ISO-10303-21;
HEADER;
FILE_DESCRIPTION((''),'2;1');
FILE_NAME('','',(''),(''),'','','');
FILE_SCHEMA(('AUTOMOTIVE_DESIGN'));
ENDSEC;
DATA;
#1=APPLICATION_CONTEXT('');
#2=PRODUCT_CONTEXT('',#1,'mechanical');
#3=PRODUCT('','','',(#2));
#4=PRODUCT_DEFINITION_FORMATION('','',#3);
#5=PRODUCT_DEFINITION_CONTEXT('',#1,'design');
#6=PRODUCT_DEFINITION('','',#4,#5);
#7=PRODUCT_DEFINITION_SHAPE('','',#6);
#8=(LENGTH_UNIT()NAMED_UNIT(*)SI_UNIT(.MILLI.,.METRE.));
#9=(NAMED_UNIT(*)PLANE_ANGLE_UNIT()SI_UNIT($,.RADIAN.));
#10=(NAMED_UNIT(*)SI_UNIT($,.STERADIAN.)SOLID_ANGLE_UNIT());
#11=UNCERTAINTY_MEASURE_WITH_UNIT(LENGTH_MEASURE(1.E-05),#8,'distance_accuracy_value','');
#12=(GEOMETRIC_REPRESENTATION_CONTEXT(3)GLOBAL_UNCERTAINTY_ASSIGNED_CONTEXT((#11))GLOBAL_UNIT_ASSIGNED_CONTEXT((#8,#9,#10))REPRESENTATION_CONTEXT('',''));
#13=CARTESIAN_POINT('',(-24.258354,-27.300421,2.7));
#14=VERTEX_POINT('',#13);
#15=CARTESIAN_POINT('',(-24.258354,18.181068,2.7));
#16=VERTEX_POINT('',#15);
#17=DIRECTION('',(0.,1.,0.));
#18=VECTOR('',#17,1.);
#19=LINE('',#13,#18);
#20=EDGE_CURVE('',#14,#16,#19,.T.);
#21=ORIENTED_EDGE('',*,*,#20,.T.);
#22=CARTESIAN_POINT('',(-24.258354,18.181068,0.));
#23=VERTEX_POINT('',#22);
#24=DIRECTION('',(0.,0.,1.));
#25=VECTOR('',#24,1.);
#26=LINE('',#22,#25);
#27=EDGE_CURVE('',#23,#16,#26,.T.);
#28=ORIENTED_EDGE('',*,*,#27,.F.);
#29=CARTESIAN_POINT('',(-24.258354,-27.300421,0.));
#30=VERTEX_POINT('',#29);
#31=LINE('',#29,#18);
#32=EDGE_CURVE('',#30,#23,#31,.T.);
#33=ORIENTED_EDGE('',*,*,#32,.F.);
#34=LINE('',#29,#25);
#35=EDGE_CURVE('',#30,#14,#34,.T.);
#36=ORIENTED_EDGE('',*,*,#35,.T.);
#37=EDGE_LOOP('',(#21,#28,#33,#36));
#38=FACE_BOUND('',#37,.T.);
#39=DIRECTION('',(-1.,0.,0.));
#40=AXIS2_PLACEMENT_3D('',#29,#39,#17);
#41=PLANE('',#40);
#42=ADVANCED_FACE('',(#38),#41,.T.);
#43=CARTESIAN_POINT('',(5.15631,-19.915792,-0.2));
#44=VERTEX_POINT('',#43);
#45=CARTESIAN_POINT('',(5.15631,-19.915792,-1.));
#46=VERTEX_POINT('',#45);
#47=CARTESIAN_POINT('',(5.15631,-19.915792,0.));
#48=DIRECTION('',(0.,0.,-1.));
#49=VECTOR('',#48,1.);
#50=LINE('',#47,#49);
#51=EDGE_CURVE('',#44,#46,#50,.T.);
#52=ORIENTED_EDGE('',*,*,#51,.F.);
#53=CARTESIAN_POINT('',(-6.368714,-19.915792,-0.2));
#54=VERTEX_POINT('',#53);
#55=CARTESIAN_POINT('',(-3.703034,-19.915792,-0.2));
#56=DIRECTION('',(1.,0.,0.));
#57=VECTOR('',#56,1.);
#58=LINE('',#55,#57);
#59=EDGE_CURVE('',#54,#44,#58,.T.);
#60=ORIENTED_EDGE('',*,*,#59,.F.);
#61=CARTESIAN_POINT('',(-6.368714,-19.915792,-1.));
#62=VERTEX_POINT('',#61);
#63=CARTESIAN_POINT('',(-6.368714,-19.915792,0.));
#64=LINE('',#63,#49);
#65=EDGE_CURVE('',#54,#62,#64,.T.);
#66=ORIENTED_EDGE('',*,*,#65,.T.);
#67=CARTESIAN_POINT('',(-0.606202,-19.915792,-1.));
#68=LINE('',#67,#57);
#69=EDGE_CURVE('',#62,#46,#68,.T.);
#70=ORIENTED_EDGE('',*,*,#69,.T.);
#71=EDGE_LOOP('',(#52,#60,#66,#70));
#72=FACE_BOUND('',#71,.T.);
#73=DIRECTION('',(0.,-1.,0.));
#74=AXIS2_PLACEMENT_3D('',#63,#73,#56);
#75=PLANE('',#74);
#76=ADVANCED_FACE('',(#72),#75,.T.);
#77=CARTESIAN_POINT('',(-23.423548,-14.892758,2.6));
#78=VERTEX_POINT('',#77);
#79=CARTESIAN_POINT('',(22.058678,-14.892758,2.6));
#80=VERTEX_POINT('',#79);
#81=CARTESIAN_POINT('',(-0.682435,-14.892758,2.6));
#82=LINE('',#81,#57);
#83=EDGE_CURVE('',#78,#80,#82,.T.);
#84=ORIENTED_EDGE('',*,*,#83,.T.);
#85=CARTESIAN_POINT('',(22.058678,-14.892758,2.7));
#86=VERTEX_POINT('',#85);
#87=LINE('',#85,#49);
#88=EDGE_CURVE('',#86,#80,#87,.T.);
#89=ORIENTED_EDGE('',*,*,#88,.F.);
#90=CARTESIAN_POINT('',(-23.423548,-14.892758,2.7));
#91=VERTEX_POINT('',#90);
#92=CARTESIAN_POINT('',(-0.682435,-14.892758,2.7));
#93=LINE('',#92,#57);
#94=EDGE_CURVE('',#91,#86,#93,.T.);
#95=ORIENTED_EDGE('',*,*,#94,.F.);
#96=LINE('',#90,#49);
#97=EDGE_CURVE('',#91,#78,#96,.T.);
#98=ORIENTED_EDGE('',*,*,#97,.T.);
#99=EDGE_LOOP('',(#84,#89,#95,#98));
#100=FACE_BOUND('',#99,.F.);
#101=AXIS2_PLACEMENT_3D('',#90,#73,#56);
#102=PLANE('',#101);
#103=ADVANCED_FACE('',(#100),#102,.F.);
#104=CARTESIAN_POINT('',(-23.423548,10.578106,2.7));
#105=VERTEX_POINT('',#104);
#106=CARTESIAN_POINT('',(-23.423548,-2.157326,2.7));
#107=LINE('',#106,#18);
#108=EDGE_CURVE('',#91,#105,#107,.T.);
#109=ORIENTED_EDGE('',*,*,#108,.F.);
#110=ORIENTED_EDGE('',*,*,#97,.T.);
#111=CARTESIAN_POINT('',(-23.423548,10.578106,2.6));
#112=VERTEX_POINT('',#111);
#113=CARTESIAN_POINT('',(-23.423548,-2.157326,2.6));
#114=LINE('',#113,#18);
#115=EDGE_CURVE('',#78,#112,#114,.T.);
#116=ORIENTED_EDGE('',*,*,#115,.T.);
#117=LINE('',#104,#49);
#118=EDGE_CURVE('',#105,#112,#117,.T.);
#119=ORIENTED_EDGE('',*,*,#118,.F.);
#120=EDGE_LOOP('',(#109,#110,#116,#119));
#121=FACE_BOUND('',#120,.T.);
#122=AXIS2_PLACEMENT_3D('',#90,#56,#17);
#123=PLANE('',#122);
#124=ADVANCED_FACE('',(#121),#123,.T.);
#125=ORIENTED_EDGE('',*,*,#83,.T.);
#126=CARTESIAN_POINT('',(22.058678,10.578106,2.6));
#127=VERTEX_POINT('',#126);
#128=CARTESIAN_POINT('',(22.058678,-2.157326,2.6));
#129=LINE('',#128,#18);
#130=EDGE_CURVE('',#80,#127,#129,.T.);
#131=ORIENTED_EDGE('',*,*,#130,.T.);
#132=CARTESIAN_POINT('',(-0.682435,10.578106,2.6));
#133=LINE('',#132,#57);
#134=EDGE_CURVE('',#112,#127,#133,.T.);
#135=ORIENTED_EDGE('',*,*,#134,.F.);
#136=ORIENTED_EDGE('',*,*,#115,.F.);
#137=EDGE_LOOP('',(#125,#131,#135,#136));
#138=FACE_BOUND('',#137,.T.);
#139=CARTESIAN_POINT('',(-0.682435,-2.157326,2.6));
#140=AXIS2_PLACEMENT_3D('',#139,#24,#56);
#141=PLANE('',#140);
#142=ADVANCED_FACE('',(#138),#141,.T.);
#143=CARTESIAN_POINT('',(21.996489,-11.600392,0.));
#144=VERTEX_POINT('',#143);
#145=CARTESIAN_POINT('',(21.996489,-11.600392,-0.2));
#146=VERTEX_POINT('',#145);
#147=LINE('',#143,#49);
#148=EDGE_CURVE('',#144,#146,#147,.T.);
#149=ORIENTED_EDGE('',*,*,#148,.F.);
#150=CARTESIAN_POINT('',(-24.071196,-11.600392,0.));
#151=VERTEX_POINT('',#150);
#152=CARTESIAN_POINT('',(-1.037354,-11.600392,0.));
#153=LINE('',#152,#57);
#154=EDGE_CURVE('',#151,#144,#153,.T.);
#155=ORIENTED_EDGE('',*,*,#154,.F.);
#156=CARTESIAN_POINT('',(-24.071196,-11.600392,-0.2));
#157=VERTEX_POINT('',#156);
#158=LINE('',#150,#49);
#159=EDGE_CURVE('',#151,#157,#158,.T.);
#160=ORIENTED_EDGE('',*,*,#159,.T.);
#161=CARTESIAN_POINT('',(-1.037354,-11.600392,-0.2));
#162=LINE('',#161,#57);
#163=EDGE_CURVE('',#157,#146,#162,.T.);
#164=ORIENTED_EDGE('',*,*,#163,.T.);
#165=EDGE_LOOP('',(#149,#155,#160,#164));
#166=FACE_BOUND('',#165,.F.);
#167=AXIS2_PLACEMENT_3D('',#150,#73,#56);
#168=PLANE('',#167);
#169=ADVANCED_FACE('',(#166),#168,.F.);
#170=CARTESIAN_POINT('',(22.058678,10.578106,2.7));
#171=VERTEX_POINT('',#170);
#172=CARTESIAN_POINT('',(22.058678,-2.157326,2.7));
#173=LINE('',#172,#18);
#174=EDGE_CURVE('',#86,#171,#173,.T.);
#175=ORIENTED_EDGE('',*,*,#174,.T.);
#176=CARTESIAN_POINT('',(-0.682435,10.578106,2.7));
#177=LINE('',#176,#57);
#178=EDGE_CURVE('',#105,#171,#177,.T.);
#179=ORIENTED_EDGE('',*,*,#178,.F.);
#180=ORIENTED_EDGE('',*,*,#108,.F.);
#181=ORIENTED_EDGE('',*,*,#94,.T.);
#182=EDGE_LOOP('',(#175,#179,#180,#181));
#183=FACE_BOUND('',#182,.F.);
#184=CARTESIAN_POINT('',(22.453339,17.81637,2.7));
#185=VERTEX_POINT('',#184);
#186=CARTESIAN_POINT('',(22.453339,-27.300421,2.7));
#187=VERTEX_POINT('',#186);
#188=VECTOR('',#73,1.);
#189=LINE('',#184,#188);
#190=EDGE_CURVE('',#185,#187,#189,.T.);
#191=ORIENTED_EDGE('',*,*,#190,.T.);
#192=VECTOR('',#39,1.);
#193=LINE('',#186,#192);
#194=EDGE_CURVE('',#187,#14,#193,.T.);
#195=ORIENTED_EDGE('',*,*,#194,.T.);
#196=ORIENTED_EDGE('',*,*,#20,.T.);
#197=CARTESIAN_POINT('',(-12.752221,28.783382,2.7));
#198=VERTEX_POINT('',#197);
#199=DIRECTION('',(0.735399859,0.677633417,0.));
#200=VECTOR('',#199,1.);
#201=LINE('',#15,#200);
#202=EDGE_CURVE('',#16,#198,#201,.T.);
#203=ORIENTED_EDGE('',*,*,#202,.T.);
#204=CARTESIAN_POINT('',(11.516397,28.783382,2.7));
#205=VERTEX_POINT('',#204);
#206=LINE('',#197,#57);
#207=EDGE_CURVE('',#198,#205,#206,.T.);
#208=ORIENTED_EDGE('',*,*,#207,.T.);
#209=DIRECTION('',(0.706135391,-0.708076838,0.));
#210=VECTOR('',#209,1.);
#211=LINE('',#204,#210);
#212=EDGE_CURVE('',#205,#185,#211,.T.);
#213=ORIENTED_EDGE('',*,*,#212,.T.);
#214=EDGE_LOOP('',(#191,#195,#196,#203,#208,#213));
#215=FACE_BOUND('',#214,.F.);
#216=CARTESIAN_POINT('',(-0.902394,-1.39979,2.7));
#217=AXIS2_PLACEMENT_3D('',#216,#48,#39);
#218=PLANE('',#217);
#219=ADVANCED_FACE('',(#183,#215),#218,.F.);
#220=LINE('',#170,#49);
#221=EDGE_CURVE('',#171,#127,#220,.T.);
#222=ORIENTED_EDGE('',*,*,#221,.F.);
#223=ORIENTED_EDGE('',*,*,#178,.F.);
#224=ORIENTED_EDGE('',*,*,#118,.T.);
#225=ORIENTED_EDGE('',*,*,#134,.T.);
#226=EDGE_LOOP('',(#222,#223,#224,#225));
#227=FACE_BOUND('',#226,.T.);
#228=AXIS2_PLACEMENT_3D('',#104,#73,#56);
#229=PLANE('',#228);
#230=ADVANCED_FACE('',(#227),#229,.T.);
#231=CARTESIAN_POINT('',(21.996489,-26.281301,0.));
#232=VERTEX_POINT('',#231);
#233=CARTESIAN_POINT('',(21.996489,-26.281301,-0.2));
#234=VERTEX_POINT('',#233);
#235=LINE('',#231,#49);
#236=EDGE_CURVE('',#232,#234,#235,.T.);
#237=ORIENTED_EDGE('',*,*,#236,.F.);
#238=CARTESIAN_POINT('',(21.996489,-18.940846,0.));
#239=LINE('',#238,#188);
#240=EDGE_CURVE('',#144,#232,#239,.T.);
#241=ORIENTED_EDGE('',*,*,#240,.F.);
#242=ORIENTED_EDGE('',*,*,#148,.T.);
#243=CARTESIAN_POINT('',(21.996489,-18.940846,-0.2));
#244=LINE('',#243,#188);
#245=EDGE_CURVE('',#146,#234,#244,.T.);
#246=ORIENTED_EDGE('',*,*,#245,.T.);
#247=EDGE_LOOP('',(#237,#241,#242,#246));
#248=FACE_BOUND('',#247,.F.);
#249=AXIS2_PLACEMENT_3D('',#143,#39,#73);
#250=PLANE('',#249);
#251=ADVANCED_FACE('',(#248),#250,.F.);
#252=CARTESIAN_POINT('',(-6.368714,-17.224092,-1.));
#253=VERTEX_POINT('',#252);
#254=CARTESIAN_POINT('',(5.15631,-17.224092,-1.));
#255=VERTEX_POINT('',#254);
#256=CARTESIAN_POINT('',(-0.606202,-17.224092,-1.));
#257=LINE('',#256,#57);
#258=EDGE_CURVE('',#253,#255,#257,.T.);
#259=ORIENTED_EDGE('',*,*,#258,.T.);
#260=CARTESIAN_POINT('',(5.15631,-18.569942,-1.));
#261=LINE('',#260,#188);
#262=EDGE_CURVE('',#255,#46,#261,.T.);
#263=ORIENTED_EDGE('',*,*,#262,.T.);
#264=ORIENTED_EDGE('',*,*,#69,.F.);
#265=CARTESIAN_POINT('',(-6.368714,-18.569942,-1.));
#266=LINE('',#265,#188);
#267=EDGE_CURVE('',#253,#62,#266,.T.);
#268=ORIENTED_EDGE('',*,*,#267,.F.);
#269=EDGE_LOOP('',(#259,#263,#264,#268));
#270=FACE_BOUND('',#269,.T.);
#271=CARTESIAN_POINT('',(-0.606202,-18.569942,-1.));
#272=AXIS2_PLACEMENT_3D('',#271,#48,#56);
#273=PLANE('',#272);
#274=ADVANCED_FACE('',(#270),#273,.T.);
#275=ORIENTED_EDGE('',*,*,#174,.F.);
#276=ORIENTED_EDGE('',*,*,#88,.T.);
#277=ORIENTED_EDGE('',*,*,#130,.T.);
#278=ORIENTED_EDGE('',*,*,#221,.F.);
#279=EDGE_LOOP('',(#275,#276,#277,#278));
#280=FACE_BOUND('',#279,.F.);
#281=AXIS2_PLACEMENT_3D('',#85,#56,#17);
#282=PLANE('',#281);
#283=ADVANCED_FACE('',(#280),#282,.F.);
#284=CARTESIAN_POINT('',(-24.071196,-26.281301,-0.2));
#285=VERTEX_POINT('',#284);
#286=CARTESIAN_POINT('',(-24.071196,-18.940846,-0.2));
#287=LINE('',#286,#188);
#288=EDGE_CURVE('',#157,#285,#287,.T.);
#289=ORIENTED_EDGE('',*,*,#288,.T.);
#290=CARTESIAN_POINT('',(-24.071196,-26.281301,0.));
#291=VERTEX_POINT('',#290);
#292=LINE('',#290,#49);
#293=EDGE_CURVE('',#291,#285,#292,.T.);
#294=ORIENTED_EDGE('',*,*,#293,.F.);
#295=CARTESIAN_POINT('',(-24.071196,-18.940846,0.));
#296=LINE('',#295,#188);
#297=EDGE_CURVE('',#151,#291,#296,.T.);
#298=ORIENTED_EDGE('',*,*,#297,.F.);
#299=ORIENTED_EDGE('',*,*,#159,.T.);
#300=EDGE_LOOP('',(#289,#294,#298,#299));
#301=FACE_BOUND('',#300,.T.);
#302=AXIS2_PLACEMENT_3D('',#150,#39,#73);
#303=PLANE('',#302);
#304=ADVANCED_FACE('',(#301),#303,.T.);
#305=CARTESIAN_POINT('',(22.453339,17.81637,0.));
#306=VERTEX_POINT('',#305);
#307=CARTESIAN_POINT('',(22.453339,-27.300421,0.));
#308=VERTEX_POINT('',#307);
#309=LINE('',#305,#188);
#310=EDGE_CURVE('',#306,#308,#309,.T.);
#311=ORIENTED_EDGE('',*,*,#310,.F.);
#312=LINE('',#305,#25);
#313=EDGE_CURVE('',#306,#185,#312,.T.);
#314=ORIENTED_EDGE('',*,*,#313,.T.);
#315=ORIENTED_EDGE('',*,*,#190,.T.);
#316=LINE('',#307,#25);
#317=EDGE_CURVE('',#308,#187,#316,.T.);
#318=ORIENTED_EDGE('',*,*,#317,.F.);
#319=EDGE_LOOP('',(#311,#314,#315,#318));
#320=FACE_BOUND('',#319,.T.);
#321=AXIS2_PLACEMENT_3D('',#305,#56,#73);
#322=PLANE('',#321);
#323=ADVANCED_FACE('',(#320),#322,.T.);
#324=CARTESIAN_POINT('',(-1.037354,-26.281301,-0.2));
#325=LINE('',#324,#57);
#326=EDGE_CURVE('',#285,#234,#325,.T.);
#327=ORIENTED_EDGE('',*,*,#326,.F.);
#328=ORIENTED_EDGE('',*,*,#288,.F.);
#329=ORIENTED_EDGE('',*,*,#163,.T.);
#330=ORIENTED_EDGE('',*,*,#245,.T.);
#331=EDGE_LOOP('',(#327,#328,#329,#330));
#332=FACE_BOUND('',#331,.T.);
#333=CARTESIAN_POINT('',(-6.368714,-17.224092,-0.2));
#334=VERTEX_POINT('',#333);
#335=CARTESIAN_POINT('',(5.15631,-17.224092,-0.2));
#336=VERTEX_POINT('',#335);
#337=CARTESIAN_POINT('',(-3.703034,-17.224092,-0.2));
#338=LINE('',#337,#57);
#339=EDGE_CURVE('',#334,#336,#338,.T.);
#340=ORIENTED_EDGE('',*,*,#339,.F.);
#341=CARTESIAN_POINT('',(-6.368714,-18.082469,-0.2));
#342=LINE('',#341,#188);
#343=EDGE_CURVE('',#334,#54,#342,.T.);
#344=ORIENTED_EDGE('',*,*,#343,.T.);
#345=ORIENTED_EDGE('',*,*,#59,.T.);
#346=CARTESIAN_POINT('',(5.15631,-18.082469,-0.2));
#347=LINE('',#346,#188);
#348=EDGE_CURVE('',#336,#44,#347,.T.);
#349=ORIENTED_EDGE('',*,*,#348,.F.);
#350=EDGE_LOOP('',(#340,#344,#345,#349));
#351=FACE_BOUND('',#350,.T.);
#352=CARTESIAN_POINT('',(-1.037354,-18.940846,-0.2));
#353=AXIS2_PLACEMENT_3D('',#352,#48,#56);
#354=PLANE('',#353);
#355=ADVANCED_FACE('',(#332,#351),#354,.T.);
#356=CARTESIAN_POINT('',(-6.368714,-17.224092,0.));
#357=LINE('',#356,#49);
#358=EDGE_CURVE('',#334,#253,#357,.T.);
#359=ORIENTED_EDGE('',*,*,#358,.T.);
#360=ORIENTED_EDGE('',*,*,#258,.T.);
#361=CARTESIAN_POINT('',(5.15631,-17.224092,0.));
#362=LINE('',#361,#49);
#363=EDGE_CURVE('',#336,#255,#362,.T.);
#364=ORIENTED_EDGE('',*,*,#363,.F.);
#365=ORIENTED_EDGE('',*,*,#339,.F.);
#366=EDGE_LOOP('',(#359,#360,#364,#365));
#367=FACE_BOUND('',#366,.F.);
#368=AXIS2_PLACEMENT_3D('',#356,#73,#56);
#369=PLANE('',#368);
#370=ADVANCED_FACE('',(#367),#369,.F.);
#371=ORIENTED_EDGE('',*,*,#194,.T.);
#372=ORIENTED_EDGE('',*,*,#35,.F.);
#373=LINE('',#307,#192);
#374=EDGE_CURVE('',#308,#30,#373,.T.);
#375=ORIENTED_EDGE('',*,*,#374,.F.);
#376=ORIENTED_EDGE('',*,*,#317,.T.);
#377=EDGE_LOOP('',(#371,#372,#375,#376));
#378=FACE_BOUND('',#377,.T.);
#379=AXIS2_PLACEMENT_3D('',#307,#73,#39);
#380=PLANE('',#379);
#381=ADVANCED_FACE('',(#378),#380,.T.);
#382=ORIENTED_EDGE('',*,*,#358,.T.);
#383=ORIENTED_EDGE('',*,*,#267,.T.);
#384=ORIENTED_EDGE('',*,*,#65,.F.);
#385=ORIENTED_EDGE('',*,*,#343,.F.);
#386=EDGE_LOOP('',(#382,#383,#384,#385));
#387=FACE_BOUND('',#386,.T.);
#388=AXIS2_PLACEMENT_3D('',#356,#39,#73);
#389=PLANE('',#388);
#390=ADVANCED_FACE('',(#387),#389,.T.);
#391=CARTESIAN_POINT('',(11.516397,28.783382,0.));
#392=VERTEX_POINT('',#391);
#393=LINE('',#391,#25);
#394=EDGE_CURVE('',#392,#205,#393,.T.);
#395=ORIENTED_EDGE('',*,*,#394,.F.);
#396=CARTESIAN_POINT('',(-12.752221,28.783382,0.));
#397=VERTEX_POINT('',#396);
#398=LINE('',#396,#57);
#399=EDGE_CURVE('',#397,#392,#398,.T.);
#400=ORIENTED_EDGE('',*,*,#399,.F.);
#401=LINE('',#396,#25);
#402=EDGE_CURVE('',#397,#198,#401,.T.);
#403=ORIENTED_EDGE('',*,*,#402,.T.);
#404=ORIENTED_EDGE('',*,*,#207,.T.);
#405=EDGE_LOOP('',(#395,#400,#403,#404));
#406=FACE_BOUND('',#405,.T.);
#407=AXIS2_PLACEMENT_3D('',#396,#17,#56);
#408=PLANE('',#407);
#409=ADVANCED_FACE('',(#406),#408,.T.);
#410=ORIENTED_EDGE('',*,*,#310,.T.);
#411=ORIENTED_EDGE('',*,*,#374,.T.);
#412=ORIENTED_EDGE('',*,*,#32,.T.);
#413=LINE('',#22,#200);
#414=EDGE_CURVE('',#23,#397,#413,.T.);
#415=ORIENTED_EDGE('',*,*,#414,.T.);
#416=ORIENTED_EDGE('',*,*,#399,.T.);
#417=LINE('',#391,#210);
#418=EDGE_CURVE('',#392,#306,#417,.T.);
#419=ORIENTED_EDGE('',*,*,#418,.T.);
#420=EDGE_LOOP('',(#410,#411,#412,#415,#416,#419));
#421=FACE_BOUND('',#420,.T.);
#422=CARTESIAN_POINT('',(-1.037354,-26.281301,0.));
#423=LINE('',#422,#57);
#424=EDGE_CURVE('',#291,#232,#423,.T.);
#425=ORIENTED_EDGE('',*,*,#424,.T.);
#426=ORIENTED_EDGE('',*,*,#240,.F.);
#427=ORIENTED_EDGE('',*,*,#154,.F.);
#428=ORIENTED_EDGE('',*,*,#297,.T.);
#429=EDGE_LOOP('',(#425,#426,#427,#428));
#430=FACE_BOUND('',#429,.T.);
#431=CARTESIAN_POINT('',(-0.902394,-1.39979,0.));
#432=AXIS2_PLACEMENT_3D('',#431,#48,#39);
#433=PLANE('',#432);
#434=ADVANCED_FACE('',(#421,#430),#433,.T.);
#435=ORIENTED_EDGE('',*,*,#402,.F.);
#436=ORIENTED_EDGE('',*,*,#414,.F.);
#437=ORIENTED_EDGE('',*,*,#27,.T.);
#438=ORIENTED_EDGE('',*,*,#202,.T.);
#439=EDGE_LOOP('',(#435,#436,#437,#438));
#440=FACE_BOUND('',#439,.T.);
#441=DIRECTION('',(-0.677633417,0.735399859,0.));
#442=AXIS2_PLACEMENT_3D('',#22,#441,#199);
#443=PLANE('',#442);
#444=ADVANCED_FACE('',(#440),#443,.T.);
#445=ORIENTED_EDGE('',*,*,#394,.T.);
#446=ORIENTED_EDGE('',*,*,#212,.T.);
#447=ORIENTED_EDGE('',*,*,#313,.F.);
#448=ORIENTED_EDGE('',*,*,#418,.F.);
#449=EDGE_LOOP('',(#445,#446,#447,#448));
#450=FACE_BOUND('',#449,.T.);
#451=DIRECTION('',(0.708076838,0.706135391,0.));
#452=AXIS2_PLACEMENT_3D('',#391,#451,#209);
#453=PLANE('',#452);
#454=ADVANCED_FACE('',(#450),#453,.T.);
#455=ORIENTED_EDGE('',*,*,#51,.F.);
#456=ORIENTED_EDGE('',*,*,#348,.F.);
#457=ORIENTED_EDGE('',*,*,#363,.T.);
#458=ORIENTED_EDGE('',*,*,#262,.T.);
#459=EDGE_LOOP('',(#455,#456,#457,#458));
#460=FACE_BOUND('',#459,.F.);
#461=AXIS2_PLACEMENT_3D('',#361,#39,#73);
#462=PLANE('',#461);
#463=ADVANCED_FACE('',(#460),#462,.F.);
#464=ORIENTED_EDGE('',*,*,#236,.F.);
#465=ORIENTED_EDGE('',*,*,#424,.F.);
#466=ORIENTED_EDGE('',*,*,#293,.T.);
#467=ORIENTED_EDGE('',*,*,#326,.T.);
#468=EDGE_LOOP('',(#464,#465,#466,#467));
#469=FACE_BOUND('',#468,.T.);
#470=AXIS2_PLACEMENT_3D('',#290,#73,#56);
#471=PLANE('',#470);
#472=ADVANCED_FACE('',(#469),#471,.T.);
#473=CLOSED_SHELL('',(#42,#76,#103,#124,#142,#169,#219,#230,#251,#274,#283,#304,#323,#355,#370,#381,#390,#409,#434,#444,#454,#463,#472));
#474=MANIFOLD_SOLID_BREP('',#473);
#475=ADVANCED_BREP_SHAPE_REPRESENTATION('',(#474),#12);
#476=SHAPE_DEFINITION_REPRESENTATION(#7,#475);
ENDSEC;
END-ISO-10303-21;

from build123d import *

# Parameters (mm, degrees)
PAD023_DEPTH    = 2.7
SKETCH025_W     = 45.482226
SKETCH025_H     = 25.470864
POCKET004_DEPTH = 0.1
SKETCH026_W     = 11.525024
SKETCH026_H     = 2.6917
PAD024_DEPTH    = 1
SKETCH027_W     = 46.067685
SKETCH027_H     = 14.680909
PAD025_DEPTH    = 0.2


with BuildPart() as part:
    # Sketch024 → Pad023 (new body)
    with BuildSketch(Plane.XY):
        Polygon((-12.752221, 28.783382), (11.516397, 28.783382), (22.453339, 17.81637), (22.453339, -27.300421), (-24.258354, -27.300421), (-24.258354, 18.181068), align=None)
    extrude(amount=PAD023_DEPTH)

    # Sketch025 (on Face8 of Pad023) → Pocket004 (cut)
    with BuildSketch(Plane.XY.offset(2.7)):
        with Locations((-0.682435, -2.157326)):
            Rectangle(SKETCH025_W, SKETCH025_H)
    extrude(amount=-POCKET004_DEPTH, mode=Mode.SUBTRACT)

    # Sketch026 (on Face4 of Pocket004) → Pad024 (join)
    with BuildSketch(Plane(origin=(0, 0, 0), x_dir=(1, 0, 0), z_dir=(0, 0, -1))):
        with Locations((-0.606202, 18.569942)):
            Rectangle(SKETCH026_W, SKETCH026_H)
    extrude(amount=PAD024_DEPTH)

    # Sketch027 (on Face4 of Pad024) → Pad025 (join)
    with BuildSketch(Plane(origin=(0, 0, 0), x_dir=(1, 0, 0), z_dir=(0, 0, -1))):
        with Locations((-1.0373535, 18.9408465)):
            Rectangle(SKETCH027_W, SKETCH027_H)
    extrude(amount=PAD025_DEPTH)


solid = part.part
